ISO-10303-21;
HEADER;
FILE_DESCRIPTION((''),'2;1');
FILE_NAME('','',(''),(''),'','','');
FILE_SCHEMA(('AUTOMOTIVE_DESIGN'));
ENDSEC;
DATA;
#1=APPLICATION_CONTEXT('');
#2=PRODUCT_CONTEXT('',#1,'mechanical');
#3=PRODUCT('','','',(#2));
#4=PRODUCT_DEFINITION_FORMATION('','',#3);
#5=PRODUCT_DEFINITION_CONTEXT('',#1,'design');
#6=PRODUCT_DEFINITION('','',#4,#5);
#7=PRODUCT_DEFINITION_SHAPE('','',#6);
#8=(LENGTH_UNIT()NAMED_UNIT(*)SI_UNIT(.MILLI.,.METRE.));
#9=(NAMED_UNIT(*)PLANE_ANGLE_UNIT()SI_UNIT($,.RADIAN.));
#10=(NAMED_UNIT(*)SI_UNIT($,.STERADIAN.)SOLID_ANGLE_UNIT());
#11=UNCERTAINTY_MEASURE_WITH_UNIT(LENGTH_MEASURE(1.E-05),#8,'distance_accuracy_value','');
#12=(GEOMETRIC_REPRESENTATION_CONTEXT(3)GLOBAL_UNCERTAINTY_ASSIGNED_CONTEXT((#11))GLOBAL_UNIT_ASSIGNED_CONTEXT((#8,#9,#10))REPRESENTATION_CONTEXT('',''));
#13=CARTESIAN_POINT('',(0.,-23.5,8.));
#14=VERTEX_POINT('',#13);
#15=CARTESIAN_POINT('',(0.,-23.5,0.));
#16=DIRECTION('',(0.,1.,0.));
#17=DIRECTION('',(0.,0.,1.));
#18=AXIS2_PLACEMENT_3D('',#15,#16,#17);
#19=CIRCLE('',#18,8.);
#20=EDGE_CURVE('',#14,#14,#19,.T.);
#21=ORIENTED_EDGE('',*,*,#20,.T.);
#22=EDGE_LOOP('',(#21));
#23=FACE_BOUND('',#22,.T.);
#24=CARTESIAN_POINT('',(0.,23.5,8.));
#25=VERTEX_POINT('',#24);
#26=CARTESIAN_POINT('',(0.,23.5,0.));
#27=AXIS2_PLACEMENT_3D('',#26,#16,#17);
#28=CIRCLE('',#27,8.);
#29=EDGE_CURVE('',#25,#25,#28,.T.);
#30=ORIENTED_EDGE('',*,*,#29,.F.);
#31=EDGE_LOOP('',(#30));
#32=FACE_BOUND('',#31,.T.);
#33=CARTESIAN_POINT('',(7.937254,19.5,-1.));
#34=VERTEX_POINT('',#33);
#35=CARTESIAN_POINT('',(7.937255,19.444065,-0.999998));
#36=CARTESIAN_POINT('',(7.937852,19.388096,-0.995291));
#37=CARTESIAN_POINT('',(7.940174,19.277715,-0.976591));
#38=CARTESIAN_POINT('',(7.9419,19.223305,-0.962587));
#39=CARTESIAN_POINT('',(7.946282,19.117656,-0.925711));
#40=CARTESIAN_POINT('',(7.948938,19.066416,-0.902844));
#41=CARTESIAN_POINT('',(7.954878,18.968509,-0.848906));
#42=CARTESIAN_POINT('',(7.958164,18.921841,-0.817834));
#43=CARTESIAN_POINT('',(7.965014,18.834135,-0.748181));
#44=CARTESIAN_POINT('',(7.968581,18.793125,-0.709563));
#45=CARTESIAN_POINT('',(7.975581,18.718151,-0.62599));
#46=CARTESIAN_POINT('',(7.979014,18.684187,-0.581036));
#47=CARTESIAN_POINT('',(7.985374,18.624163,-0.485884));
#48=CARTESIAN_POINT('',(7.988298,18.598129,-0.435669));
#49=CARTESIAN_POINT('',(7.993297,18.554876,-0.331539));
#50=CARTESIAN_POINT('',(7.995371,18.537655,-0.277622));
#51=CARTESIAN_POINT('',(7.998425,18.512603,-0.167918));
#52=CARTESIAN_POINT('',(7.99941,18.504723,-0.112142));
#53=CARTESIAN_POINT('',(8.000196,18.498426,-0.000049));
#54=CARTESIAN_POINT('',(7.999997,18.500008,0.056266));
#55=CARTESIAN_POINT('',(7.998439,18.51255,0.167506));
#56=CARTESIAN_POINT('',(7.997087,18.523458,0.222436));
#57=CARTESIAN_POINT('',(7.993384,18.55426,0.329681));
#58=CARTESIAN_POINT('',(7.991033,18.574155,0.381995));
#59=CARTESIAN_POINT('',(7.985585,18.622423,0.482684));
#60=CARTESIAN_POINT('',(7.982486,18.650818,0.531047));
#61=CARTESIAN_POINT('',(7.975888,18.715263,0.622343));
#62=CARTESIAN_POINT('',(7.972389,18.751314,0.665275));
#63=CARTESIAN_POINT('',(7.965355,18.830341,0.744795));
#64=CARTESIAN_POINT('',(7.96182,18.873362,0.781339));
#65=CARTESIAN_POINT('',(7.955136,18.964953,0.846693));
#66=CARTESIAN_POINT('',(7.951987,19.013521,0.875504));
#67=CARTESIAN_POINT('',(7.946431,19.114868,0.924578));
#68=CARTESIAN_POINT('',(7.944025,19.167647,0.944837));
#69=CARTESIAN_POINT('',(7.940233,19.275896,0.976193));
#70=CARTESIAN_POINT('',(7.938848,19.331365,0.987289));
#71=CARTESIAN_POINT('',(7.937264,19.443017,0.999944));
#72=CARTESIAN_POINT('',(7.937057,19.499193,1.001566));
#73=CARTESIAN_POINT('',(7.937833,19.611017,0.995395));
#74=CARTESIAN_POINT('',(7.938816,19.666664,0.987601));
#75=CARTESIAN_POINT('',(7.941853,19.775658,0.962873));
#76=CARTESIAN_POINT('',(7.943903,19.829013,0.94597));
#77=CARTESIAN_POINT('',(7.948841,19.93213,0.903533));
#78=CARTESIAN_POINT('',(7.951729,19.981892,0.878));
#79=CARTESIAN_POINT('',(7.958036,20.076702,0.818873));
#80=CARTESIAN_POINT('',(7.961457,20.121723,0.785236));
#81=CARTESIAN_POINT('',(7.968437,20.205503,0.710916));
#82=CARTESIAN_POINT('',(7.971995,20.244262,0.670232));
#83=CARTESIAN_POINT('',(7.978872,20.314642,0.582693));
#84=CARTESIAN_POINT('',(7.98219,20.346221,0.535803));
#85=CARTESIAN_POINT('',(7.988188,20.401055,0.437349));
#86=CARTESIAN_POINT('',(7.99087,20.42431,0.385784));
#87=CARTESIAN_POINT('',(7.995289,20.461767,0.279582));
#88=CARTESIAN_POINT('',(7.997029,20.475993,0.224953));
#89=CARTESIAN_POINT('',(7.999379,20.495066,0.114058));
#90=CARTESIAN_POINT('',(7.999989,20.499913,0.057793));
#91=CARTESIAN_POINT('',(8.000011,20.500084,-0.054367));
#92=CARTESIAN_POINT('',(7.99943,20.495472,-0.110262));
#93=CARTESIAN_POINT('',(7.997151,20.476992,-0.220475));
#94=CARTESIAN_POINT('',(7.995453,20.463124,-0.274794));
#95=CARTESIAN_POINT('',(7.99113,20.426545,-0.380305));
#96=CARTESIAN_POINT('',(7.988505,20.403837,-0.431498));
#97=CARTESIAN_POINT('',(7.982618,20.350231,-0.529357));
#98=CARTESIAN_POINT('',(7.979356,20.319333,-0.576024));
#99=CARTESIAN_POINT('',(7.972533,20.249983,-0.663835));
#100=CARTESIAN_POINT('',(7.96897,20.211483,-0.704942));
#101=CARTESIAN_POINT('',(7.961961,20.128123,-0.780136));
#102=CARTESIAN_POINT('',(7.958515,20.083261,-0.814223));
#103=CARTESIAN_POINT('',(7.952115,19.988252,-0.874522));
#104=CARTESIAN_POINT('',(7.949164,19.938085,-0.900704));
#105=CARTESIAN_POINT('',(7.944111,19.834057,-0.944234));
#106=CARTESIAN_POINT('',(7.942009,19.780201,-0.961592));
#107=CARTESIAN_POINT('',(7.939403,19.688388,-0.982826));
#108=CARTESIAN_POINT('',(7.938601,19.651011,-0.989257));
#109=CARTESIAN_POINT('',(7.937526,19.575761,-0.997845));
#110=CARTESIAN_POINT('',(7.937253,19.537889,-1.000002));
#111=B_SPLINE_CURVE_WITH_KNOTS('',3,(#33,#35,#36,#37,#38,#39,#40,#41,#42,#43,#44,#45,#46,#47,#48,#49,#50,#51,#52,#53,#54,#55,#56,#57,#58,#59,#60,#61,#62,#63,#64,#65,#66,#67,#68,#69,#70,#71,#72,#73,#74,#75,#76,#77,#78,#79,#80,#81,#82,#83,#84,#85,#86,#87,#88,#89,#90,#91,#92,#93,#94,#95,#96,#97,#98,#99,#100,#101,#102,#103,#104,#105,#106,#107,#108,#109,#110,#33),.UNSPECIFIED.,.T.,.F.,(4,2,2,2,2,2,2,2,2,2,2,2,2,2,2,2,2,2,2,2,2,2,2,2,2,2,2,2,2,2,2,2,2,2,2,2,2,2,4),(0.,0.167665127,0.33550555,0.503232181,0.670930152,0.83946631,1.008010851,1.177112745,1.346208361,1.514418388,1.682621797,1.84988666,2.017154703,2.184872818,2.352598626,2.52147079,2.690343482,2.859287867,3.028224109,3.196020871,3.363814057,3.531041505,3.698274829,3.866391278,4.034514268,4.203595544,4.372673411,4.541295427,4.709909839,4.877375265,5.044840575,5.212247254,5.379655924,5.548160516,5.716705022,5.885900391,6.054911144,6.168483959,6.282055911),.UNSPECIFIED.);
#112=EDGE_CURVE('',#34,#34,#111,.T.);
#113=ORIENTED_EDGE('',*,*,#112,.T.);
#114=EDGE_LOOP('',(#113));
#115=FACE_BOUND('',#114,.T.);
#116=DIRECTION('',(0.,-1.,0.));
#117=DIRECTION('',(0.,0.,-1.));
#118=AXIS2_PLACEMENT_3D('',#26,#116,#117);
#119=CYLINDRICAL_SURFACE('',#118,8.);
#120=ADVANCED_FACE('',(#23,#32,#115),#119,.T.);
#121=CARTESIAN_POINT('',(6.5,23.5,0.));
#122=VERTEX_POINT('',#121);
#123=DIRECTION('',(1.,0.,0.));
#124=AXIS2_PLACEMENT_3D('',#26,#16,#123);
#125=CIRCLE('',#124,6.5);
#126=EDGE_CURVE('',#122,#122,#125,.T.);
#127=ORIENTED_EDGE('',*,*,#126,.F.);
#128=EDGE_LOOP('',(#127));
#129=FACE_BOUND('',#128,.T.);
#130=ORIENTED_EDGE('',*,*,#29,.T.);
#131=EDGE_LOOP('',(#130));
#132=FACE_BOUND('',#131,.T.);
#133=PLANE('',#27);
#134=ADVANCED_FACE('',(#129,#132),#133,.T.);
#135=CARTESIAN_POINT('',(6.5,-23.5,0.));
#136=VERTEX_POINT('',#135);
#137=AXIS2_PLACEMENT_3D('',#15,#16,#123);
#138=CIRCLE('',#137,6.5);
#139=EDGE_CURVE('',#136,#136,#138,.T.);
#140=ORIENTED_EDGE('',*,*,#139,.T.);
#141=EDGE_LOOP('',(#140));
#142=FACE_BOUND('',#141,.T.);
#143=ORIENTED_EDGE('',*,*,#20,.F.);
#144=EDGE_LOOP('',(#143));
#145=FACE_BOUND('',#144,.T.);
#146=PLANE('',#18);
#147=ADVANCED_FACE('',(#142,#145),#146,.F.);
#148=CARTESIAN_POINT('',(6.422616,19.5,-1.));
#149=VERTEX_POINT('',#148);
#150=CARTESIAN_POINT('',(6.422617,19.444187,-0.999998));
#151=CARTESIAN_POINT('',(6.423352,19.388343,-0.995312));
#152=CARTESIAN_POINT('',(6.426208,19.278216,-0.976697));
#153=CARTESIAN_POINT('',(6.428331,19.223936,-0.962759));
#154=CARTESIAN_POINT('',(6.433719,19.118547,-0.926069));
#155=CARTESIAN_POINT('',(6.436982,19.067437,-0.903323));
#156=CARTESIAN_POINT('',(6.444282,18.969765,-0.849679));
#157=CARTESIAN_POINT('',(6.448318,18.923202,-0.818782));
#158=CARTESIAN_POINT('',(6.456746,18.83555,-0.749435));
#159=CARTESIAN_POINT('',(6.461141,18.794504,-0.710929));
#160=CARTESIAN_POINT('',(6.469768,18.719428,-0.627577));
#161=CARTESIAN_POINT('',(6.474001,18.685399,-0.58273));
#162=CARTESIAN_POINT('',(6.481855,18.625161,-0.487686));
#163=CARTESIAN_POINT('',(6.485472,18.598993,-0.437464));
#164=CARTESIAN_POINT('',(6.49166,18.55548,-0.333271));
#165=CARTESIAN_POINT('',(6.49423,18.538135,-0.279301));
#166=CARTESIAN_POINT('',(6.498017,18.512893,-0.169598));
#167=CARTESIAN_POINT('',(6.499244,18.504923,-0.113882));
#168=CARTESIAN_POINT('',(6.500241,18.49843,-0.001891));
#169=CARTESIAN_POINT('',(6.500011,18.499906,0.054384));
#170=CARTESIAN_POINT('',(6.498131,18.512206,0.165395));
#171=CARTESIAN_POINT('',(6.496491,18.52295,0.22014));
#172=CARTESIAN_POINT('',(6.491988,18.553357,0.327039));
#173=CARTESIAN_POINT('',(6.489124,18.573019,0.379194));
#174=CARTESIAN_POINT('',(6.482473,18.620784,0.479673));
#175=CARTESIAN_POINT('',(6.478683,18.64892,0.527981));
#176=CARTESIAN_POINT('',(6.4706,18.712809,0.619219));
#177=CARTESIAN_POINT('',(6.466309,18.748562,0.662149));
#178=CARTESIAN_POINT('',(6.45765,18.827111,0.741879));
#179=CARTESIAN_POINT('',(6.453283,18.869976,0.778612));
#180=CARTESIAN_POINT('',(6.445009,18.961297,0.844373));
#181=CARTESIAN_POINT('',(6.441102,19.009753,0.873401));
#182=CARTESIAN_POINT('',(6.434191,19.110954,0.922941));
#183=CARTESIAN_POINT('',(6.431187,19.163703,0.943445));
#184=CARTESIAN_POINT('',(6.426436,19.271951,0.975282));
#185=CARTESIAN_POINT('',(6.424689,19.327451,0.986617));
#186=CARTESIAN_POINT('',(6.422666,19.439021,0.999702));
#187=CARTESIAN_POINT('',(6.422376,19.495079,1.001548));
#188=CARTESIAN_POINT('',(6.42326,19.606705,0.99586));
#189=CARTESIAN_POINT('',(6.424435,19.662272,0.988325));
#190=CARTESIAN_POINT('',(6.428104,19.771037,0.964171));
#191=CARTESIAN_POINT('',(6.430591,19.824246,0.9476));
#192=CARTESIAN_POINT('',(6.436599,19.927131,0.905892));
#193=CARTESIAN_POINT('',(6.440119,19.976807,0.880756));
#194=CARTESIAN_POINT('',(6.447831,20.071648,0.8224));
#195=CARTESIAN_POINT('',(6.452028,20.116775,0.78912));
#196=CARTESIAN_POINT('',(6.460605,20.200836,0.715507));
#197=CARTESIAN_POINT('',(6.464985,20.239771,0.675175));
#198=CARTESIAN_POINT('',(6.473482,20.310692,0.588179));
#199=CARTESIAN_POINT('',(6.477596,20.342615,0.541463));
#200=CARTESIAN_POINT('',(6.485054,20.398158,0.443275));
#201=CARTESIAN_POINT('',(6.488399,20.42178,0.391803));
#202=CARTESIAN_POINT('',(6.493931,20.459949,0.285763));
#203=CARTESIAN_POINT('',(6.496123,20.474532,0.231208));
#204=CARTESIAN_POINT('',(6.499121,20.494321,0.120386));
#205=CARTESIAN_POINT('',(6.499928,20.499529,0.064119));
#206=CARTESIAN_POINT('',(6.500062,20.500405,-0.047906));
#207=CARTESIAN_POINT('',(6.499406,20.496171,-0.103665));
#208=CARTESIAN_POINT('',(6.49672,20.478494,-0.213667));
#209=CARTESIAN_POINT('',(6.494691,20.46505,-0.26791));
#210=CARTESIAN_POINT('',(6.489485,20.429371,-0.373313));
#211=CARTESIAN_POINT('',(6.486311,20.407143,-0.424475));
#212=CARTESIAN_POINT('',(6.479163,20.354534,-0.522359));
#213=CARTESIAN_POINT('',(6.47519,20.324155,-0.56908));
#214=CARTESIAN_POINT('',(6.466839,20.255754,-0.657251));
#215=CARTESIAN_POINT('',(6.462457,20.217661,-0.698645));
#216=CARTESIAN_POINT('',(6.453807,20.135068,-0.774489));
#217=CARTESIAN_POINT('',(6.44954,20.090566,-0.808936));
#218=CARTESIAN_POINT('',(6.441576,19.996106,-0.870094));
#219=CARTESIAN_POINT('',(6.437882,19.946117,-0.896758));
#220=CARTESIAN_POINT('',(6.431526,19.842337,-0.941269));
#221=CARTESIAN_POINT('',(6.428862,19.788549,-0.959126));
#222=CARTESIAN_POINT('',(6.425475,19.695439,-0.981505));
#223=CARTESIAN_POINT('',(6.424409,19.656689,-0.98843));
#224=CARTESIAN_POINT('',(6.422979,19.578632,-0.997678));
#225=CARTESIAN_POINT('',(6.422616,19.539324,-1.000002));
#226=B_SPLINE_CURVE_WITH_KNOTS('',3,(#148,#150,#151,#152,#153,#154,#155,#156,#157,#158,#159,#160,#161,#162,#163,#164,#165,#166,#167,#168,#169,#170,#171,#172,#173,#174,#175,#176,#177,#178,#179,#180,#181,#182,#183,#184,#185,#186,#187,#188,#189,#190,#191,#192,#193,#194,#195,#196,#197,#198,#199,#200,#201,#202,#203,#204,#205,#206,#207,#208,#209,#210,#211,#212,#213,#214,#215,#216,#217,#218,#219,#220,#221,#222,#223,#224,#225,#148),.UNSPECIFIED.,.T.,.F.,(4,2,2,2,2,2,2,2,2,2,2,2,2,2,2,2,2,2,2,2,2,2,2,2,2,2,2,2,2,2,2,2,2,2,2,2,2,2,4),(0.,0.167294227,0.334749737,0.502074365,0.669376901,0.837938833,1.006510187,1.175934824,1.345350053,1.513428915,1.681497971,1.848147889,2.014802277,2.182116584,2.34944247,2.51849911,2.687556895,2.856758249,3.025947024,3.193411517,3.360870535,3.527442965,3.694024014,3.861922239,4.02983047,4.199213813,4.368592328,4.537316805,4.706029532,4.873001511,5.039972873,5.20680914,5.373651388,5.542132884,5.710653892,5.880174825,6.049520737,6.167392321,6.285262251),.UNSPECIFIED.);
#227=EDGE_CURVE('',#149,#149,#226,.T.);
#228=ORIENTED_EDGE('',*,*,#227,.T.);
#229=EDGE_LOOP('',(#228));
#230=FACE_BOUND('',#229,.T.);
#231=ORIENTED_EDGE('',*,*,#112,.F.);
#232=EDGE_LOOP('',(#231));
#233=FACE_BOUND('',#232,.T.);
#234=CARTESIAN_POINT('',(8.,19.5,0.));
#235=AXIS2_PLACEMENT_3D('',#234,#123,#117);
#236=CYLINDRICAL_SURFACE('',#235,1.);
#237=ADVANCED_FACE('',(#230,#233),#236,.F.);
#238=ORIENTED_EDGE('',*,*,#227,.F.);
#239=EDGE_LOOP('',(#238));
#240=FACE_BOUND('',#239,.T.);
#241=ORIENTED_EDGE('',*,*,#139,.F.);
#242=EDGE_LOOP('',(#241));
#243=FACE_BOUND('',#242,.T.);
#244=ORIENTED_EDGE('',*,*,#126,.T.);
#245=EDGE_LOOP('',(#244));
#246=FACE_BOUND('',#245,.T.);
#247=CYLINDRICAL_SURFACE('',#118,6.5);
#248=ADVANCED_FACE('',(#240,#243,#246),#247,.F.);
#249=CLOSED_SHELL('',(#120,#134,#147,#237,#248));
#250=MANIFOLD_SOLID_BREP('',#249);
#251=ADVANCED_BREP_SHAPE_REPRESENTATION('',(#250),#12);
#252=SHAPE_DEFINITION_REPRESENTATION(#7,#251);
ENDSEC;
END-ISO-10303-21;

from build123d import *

# Parameters (mm, degrees)
SKETCH3_R                  = 8
SKETCH3_R_2                = 6.5
EXTRUDE_THIN1_DEPTH        = 23.5
F_2_0MM_DOWEL_HOLE1_REACH  = 48.573
F_2_0MM_DOWEL_HOLE1_BORE_R = 1


with BuildPart() as part:
    # Sketch3 → Extrude-Thin1 (new, symmetric)
    with BuildSketch(Plane(origin=(0, 0, 0), x_dir=(1, 0, 0), z_dir=(0, 1, 0))):
        Circle(SKETCH3_R)
        Circle(SKETCH3_R_2, mode=Mode.SUBTRACT)
    extrude(amount=EXTRUDE_THIN1_DEPTH, both=True)

    # Ø2.0mm Dowel Hole1 bore (on position points) → Ø2.0mm Dowel Hole1 (cut, up to next)
    with BuildSketch(Plane(origin=(8, 19.5, 0), x_dir=(0, 0, 1), z_dir=(1, 0, 0)), mode=Mode.PRIVATE) as f_2_0mm_dowel_hole1_sk1:
        Circle(F_2_0MM_DOWEL_HOLE1_BORE_R)
    f_2_0mm_dowel_hole1_tool1 = extrude(f_2_0mm_dowel_hole1_sk1.sketch, amount=-F_2_0MM_DOWEL_HOLE1_REACH, mode=Mode.PRIVATE) & part.part
    add(f_2_0mm_dowel_hole1_tool1.solids().sort_by_distance((8, 19.5, 0))[0], mode=Mode.SUBTRACT)


solid = part.part
